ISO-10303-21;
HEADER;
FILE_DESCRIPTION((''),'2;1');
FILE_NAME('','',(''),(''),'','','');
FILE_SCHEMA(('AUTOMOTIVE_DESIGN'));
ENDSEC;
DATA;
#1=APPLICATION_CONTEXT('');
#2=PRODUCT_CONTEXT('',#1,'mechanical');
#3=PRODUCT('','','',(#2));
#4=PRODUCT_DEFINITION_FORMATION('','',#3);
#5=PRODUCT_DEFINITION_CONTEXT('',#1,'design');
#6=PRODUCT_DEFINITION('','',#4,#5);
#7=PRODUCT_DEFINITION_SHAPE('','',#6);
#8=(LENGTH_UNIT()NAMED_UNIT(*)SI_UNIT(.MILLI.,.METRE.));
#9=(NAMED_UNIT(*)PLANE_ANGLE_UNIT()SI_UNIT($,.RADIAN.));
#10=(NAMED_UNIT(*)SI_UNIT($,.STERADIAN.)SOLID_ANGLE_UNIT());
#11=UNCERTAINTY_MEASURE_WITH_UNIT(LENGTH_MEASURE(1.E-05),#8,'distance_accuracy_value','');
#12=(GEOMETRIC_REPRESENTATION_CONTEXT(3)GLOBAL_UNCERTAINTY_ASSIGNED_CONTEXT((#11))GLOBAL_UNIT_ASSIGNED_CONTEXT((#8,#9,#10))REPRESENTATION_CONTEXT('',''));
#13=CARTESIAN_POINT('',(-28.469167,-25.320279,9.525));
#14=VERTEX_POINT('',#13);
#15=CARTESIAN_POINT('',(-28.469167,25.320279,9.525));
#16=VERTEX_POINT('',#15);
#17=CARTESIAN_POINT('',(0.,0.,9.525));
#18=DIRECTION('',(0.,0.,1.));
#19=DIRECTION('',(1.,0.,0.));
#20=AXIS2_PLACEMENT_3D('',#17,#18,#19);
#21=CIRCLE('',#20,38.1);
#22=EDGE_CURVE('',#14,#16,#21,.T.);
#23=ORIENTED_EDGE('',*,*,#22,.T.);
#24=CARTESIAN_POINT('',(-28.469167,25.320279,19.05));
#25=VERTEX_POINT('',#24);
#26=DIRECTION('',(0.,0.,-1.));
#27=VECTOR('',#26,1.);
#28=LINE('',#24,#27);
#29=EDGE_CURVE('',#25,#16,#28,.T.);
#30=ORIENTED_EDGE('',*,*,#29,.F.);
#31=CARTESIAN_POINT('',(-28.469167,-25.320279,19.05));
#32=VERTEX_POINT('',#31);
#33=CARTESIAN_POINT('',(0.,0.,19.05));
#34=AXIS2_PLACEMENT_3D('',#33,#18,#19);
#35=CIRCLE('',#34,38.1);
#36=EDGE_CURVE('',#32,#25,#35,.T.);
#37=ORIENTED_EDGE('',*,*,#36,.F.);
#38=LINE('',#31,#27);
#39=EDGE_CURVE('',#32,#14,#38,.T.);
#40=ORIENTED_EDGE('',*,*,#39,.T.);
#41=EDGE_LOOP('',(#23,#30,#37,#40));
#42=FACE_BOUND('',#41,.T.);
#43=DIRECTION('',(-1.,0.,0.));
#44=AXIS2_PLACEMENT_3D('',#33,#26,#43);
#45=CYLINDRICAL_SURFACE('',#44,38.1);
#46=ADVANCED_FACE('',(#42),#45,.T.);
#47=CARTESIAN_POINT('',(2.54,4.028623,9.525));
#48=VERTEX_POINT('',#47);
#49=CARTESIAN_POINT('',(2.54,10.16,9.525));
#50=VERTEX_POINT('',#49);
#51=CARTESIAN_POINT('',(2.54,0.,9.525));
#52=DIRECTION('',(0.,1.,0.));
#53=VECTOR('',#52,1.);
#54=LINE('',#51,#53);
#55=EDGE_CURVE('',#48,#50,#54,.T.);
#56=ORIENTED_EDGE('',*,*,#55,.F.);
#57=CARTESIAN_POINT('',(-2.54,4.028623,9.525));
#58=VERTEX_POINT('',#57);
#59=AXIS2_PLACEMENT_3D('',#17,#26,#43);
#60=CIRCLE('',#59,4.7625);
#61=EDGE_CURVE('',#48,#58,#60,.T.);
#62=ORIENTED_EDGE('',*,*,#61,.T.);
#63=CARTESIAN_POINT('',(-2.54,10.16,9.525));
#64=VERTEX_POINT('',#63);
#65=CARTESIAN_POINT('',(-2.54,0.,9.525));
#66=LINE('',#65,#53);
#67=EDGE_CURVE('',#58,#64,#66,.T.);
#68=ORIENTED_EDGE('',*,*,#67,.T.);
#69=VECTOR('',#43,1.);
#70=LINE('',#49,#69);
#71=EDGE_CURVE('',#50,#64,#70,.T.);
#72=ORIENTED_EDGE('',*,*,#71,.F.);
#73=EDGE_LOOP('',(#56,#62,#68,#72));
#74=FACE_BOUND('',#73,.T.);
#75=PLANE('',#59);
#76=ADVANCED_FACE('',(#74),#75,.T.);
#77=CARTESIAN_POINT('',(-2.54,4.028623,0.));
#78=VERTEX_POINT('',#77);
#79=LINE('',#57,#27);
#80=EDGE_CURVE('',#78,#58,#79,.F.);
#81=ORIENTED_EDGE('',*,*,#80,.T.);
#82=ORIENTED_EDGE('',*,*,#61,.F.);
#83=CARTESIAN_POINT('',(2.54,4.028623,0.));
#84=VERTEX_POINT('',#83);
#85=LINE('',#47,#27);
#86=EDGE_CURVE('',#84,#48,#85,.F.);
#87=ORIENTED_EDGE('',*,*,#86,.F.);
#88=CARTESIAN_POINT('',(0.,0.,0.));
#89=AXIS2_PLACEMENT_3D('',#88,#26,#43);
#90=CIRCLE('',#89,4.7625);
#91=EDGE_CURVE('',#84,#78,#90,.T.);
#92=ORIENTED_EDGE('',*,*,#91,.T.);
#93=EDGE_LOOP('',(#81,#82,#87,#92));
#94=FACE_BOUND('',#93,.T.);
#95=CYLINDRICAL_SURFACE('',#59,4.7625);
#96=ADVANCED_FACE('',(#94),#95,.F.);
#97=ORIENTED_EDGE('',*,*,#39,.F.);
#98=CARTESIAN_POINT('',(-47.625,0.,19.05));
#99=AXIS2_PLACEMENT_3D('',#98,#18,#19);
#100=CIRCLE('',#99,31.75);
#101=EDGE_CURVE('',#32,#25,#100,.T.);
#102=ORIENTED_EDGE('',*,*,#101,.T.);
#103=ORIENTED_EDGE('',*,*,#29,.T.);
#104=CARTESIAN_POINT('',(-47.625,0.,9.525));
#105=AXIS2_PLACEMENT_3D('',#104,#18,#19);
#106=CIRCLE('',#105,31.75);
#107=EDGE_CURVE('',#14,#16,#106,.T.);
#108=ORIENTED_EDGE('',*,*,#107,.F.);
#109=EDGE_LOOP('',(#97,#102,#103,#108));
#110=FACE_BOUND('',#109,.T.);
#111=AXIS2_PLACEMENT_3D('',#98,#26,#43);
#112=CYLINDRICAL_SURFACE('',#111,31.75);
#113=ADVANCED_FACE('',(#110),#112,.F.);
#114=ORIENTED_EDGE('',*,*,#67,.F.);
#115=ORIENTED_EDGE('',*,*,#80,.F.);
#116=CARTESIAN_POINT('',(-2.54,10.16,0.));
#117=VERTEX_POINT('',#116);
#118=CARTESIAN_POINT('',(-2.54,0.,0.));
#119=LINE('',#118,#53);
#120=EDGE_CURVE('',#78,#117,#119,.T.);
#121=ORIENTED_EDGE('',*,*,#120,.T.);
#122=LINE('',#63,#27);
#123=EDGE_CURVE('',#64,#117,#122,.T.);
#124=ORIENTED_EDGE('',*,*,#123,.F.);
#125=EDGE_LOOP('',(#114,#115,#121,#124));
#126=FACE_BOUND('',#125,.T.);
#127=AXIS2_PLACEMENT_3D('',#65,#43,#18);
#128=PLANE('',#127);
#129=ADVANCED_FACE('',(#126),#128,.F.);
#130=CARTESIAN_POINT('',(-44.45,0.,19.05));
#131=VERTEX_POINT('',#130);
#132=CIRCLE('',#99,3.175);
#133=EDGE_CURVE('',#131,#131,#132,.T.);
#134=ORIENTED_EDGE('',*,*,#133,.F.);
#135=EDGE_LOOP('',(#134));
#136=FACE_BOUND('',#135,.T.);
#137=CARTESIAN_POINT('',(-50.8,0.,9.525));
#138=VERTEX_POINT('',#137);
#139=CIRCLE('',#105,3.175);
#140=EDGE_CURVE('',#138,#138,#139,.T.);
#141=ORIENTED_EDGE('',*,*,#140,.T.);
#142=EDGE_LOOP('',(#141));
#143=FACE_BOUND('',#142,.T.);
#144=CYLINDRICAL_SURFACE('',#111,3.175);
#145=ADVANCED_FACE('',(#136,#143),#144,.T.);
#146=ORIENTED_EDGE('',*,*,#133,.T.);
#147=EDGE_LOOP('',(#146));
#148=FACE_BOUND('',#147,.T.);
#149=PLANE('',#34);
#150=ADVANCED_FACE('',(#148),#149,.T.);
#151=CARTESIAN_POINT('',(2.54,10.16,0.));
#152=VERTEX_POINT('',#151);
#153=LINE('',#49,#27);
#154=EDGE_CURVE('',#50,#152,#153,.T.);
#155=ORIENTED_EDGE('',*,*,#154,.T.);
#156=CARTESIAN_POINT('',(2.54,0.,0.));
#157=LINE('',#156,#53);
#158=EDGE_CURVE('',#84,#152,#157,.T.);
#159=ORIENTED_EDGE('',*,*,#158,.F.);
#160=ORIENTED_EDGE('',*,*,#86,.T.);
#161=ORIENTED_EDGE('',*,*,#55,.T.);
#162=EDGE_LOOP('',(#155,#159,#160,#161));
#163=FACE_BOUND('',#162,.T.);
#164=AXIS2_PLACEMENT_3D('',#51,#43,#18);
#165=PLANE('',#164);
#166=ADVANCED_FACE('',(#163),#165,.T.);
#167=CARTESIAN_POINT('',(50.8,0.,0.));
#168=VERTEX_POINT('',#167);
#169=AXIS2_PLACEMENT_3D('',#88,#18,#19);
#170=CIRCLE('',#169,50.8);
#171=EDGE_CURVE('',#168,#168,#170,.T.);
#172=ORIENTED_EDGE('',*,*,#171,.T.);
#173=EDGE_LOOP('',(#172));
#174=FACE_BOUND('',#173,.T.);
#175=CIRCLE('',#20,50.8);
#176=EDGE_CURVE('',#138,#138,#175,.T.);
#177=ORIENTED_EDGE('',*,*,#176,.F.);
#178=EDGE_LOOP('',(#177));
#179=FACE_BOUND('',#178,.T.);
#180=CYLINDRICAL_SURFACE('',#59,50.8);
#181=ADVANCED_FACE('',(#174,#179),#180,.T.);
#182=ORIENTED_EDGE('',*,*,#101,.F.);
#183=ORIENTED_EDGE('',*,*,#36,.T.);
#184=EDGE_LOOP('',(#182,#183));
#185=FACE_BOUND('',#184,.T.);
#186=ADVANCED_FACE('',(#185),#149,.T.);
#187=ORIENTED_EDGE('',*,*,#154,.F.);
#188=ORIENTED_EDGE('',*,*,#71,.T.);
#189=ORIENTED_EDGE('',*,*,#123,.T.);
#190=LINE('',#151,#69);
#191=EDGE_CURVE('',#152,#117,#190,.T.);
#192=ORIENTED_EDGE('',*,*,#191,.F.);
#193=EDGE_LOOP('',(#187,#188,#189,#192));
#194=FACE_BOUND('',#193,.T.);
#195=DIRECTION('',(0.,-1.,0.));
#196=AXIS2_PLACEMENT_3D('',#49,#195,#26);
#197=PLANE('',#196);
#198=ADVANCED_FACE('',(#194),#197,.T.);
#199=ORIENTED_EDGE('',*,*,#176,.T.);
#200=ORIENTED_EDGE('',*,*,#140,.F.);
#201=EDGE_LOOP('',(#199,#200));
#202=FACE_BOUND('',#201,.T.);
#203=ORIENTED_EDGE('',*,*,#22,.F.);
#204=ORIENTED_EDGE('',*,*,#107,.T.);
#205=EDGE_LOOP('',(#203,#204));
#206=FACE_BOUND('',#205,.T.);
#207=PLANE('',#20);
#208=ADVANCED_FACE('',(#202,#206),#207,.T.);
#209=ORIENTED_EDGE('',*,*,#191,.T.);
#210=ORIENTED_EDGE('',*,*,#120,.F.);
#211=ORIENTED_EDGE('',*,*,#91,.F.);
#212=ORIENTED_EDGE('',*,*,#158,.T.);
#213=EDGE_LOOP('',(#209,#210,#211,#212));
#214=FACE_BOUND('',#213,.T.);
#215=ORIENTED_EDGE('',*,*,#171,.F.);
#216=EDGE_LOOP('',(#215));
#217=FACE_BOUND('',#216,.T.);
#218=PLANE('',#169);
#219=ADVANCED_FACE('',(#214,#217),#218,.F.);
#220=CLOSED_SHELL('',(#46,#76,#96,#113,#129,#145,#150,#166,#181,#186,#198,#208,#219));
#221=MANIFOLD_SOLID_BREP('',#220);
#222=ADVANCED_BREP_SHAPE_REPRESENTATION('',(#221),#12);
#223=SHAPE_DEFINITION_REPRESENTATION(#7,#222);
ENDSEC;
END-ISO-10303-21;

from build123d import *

# Parameters (mm, degrees)
SKETCH1_R           = 50.8
BOSS_EXTRUDE1_DEPTH = 9.525
SKETCH2_R           = 3.175
BOSS_EXTRUDE2_DEPTH = 9.525
SKETCH7_R           = 4.7625
SKETCH7_W           = 5.08
SKETCH7_H           = 10.16
CUT_EXTRUDE10_DEPTH = 9.525


with BuildPart() as part:
    # Sketch1 → Boss-Extrude1 (new body)
    with BuildSketch(Plane.XY):
        with Locations(Location((0, 0, 0), (0, 0, 180))):
            Circle(SKETCH1_R)
    extrude(amount=BOSS_EXTRUDE1_DEPTH)

    # Sketch2 → Boss-Extrude2 (add)
    with BuildSketch(Plane.XY.offset(9.525)):
        with BuildLine():
            ThreePointArc((-28.469166667, 25.320279408), (-19.197370761, 14.139745253), (-15.875, 0))
            ThreePointArc((-15.875, 0), (-19.197370761, -14.139745253), (-28.469166667, -25.320279408))
            ThreePointArc((-28.469166667, -25.320279408), (38.1, 0), (-28.469166667, 25.320279408))
        make_face()
        with Locations(Location((-47.625, 0, 0), (0, 0, 179.999530418))):
            Circle(SKETCH2_R)
    extrude(amount=BOSS_EXTRUDE2_DEPTH)

    # Sketch7 → Cut-Extrude10 (cut)
    with BuildSketch(Plane(origin=(0, 0, 0), x_dir=(-1, 0, 0), z_dir=(0, 0, -1))):
        Circle(SKETCH7_R)
        with Locations((0, 5.08)):
            Rectangle(SKETCH7_W, SKETCH7_H)
    extrude(amount=-CUT_EXTRUDE10_DEPTH, mode=Mode.SUBTRACT)


solid = part.part
